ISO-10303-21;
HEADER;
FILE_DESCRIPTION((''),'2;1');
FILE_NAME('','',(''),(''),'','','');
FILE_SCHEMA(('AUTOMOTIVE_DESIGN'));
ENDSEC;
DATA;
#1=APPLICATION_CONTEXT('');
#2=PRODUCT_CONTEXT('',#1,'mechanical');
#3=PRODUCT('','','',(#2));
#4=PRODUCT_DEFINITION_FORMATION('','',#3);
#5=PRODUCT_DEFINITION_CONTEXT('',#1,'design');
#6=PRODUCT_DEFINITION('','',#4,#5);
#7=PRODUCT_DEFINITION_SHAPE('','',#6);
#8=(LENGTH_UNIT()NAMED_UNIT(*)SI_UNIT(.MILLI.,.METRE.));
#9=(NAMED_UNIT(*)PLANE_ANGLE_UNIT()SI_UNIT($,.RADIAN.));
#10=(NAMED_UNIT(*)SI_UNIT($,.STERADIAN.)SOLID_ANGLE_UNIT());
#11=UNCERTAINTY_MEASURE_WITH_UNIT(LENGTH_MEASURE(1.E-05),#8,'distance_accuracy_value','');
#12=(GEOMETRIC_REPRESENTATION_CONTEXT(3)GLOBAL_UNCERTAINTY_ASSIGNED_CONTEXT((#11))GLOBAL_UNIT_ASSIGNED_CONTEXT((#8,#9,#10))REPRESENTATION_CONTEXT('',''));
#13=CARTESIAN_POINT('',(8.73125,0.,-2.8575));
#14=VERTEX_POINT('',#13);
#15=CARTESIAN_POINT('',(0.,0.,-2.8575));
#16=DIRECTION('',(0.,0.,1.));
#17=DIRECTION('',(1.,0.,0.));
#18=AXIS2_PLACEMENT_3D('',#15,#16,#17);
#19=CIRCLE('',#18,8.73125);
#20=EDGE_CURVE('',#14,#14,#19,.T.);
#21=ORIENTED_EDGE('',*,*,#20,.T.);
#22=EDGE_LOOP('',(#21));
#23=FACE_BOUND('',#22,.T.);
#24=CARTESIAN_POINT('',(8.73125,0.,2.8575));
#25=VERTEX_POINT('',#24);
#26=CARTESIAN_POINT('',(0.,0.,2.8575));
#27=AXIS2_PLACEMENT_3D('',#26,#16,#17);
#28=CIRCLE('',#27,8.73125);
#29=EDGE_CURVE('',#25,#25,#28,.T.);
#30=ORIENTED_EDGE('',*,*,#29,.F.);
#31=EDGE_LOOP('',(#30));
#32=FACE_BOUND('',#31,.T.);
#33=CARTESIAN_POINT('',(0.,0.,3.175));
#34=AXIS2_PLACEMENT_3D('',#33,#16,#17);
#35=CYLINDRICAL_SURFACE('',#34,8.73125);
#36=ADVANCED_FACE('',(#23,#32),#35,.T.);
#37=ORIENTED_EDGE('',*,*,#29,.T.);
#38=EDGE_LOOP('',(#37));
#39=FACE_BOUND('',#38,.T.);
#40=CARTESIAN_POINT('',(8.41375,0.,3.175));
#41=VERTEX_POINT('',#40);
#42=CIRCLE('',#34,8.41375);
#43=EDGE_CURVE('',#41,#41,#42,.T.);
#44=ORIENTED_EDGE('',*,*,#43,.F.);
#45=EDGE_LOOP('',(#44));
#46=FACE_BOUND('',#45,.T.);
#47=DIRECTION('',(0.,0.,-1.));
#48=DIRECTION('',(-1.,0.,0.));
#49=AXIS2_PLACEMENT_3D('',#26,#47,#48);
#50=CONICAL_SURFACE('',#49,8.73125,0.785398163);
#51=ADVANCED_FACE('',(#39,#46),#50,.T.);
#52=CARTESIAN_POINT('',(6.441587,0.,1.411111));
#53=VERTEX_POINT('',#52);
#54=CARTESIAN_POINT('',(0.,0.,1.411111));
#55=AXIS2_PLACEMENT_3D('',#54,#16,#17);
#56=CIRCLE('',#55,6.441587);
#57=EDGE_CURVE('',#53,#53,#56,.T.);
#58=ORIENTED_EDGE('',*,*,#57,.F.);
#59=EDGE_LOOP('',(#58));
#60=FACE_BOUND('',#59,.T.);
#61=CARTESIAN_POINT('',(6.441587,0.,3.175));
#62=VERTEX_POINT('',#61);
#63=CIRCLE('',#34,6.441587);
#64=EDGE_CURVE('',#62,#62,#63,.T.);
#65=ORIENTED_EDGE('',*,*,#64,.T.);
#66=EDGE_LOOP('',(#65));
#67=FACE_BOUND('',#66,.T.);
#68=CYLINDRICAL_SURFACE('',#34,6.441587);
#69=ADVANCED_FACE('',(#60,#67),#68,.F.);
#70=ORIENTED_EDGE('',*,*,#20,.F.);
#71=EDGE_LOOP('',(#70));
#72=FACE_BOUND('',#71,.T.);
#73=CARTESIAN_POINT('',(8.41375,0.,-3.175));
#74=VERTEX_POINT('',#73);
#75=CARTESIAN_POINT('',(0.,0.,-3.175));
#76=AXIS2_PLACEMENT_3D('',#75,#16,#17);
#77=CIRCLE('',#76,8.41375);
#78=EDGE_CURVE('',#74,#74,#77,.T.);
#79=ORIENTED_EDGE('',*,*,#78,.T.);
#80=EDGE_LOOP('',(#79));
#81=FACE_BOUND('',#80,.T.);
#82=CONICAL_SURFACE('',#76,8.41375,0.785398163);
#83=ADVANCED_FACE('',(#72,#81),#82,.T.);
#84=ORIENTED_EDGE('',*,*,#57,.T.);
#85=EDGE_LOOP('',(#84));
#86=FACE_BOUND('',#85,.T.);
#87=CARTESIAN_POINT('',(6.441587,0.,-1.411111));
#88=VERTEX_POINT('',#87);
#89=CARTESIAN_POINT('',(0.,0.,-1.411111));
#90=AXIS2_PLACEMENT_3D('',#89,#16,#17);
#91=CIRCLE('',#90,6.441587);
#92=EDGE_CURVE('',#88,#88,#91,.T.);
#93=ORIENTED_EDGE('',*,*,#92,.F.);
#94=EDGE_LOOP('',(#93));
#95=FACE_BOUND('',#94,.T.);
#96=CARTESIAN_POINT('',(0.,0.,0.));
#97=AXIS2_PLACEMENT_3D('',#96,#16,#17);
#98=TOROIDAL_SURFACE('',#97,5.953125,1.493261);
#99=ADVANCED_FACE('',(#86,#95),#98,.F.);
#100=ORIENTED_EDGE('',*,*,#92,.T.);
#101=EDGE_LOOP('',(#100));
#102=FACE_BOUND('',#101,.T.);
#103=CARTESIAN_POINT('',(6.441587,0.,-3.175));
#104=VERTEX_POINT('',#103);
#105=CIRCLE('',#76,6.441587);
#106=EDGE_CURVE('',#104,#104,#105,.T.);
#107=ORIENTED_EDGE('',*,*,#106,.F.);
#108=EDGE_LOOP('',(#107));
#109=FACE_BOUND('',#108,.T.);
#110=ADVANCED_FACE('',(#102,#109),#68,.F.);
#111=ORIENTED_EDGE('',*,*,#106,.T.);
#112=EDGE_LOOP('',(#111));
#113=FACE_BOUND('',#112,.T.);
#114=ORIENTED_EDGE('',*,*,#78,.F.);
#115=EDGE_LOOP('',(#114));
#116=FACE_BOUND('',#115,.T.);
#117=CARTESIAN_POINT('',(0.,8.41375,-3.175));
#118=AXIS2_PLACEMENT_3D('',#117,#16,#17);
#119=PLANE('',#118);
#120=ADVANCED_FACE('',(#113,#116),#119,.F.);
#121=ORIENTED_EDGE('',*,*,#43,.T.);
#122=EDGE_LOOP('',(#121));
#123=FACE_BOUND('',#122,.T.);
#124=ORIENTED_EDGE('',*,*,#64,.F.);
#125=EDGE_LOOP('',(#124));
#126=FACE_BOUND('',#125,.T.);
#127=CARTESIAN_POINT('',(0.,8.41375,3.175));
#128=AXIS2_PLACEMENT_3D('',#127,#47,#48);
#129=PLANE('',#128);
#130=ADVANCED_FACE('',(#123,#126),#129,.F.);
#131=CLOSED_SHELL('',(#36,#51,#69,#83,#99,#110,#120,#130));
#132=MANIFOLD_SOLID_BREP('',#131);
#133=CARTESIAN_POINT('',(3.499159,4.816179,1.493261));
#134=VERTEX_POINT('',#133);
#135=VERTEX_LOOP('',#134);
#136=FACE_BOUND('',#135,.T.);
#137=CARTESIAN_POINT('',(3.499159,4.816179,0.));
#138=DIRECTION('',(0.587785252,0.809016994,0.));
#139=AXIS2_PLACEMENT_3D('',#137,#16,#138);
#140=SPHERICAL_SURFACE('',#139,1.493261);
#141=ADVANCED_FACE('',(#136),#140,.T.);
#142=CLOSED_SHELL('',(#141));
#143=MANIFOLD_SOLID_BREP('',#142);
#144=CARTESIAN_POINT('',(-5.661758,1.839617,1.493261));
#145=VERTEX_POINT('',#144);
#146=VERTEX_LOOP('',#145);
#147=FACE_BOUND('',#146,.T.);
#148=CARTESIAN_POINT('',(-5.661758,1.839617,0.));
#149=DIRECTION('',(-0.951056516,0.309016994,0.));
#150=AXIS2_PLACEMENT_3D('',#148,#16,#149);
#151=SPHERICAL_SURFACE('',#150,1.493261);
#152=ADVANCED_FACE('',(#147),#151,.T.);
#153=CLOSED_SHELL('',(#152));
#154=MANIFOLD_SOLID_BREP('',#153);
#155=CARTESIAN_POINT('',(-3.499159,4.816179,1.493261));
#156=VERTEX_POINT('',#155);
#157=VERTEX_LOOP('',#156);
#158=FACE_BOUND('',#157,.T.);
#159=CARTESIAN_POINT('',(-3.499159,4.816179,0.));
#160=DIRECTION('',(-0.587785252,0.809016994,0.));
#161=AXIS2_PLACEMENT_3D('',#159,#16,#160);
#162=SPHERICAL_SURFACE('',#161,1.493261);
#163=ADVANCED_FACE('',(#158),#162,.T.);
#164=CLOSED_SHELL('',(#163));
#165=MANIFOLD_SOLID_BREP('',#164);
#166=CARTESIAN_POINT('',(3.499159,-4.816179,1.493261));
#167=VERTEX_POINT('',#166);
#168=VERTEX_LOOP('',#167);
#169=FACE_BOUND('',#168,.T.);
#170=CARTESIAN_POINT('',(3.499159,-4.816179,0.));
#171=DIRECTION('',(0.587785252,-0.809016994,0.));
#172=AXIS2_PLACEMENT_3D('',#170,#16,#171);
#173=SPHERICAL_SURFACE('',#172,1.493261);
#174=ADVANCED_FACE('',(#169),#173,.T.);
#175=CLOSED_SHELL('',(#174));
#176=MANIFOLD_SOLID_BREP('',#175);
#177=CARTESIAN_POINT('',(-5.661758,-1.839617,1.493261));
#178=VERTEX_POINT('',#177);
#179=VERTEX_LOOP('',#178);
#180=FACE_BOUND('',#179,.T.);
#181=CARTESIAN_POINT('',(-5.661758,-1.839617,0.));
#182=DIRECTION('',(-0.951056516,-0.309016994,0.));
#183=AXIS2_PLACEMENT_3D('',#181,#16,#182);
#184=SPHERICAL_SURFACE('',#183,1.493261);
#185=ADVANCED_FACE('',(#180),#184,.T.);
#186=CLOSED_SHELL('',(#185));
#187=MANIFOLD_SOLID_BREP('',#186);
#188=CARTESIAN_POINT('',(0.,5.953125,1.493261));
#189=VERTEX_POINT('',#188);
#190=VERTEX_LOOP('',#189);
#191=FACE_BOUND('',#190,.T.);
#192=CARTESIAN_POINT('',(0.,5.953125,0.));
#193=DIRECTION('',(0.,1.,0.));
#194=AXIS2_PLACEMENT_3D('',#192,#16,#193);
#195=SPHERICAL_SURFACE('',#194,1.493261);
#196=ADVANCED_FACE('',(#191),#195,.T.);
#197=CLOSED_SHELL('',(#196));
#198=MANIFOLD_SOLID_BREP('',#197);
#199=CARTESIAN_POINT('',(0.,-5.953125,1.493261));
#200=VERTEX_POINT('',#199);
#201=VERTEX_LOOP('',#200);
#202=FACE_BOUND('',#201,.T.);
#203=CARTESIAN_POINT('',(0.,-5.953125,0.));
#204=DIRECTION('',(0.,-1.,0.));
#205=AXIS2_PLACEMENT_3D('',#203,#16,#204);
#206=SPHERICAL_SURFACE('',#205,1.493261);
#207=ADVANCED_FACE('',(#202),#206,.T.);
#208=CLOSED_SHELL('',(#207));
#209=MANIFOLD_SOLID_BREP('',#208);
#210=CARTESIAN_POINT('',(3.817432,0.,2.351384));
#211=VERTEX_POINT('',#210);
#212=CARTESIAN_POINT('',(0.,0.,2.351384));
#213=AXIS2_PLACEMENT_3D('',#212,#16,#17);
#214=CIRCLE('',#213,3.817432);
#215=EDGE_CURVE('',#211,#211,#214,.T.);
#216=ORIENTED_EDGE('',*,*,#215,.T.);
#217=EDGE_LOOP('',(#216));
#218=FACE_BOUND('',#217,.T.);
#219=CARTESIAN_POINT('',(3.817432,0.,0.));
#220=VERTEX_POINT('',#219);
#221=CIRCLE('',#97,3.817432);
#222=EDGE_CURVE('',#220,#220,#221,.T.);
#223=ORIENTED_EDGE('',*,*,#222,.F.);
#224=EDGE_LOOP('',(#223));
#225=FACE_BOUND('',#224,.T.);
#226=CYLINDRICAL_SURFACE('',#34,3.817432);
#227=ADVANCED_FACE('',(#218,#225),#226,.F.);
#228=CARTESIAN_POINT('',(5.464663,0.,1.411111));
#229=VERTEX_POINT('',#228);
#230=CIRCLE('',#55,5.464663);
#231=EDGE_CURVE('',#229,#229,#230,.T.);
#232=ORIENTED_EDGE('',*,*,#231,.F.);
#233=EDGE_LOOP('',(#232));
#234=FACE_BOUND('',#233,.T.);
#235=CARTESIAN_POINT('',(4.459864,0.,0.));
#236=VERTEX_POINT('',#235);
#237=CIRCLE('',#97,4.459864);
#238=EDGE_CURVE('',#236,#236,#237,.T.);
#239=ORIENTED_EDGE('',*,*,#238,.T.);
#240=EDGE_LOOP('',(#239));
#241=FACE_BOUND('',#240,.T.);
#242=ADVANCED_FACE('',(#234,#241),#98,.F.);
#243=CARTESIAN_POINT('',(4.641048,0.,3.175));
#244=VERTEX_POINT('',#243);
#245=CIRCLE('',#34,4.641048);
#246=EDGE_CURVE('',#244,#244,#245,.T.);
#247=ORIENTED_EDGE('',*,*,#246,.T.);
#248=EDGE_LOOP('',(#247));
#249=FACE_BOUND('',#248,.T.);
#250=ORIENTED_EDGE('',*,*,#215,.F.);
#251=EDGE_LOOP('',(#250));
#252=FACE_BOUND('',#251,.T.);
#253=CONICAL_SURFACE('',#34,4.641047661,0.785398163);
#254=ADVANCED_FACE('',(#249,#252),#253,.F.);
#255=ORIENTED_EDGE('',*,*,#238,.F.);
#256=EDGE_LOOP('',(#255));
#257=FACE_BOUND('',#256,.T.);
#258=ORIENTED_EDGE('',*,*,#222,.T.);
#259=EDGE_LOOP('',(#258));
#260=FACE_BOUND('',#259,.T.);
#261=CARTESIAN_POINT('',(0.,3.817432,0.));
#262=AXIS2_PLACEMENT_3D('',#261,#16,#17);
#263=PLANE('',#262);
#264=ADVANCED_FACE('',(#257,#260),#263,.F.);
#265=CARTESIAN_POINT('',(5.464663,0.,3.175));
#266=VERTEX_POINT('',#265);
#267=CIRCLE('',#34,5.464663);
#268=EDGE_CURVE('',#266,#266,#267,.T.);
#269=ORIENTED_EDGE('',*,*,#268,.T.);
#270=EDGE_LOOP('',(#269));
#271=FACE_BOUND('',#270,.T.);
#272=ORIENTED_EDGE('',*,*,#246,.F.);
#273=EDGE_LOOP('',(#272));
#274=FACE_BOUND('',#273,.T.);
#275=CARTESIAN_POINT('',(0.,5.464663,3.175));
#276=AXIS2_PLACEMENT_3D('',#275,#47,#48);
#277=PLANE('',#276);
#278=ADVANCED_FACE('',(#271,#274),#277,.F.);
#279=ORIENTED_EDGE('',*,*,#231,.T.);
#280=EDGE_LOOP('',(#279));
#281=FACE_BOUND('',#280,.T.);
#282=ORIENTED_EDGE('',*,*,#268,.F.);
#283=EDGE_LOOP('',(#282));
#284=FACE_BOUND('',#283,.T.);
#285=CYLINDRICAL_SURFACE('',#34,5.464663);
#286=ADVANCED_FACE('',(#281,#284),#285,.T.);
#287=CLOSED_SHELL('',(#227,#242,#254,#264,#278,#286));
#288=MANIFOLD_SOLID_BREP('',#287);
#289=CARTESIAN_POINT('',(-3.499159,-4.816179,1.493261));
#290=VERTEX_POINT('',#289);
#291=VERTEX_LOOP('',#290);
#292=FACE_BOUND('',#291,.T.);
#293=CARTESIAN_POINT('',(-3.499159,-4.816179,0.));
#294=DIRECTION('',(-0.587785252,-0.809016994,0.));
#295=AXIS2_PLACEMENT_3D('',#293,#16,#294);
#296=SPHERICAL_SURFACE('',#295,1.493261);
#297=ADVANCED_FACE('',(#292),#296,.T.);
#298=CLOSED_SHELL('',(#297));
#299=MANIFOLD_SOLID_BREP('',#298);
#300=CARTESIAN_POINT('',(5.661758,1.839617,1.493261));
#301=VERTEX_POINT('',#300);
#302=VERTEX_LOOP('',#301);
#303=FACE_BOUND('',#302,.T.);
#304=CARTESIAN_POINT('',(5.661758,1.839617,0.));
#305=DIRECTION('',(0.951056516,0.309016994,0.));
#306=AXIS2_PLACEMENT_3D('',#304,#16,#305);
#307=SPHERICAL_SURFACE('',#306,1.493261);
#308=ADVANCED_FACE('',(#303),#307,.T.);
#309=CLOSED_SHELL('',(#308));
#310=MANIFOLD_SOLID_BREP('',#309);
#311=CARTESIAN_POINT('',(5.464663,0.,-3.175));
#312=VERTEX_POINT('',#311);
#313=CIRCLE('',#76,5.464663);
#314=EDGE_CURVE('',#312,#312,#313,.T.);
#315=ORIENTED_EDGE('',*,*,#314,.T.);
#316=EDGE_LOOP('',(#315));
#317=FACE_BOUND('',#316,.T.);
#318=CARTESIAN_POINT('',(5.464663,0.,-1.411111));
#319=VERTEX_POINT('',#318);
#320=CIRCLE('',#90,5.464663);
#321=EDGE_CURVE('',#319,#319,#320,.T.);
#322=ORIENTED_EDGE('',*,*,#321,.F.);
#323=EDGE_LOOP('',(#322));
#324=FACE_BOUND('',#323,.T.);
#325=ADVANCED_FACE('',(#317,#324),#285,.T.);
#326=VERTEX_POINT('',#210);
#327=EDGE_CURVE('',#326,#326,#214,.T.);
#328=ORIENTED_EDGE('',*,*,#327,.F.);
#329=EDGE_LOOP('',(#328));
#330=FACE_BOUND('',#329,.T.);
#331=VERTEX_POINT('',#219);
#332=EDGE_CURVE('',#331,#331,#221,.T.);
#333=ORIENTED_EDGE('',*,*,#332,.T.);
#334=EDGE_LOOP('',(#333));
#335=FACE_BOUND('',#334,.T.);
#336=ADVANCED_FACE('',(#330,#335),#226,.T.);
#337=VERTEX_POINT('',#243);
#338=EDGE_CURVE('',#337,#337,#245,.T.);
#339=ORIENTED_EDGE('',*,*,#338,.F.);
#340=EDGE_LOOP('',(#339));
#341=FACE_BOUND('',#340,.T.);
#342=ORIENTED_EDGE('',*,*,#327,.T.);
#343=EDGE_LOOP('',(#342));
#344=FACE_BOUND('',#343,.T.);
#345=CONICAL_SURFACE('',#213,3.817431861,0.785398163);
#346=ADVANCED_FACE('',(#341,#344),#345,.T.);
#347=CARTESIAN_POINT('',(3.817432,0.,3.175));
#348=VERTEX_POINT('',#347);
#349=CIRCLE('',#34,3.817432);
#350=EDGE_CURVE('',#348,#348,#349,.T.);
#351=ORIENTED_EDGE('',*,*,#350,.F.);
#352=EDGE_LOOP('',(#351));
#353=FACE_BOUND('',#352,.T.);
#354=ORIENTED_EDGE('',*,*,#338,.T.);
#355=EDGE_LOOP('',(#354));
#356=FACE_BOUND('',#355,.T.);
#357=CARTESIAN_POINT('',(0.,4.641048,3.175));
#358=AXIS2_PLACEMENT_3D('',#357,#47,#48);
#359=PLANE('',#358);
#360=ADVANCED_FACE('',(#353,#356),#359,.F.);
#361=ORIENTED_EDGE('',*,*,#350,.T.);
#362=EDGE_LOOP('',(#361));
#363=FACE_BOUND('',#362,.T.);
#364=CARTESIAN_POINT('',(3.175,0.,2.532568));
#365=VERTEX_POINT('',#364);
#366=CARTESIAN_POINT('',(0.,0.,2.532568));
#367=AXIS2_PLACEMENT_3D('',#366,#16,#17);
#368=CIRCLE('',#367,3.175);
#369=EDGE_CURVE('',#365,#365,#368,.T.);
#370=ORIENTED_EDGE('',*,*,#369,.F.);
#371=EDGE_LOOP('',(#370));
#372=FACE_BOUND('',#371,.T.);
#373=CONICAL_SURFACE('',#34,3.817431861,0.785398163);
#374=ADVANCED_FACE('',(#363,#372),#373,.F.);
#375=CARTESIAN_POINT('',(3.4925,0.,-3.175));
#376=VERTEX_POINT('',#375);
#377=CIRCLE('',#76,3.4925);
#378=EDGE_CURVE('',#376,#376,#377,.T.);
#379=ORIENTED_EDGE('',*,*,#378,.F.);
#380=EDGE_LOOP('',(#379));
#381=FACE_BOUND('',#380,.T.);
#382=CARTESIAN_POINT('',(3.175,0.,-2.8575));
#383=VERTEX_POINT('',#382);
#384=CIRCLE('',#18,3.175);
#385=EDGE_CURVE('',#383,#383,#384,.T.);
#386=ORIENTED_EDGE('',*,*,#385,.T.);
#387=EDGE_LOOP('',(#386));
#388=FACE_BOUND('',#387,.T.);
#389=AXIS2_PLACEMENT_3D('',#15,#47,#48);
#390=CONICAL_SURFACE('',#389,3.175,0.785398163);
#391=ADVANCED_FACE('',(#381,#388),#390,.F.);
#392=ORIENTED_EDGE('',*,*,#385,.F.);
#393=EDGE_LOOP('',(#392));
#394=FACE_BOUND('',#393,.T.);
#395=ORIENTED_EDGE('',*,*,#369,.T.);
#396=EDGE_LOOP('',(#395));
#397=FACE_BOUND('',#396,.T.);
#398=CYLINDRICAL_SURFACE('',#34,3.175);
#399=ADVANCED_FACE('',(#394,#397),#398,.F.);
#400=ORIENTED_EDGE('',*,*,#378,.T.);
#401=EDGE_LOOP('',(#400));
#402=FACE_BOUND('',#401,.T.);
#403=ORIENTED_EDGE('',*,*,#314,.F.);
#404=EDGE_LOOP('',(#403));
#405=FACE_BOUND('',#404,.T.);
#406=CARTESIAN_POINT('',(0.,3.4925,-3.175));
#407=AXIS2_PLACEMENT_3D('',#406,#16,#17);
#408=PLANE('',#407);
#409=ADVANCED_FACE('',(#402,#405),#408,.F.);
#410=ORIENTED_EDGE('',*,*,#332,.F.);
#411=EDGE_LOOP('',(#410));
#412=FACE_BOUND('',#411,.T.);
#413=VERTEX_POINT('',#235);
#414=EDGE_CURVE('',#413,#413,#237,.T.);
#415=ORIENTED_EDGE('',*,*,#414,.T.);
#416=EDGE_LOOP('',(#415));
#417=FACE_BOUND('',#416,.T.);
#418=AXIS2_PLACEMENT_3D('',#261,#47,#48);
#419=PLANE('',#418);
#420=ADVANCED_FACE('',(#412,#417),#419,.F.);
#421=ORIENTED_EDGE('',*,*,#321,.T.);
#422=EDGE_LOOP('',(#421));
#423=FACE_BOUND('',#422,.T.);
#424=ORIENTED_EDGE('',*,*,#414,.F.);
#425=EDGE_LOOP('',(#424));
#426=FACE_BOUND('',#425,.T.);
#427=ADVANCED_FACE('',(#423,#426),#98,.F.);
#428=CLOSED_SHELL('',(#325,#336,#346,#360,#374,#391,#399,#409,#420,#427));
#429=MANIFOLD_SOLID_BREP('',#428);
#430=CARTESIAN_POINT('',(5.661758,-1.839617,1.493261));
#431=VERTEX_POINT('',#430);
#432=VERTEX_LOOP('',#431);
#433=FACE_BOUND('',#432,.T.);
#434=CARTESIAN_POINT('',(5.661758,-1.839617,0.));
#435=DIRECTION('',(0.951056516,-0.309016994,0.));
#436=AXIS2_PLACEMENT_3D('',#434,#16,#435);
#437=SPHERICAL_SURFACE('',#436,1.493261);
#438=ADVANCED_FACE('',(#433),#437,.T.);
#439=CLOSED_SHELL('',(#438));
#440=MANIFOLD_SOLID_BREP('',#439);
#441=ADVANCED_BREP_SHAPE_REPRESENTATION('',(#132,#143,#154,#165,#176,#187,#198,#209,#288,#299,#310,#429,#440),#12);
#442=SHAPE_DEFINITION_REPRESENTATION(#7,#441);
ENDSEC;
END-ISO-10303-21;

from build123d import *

# Parameters (mm, degrees)
CIRPATTERN1_COUNT = 10


with BuildPart() as part:
    # Sketch1 → Revolve1 (revolve)
    with BuildSketch(Plane(origin=(0, 0, 0), x_dir=(0, 0, -1), z_dir=(1, 0, 0))):
        with BuildLine():
            Line((2.8575, 8.73125), (-2.8575, 8.73125))
            Line((-2.8575, 8.73125), (-3.175, 8.41375))
            Line((-3.175, 8.41375), (-3.175, 6.441586538))
            Line((-3.175, 6.441586538), (-1.411111111, 6.441586538))
            ThreePointArc((-1.411111111, 6.441586538), (0, 7.446386277), (1.411111111, 6.441586538))
            Line((1.411111111, 6.441586538), (3.175, 6.441586538))
            Line((3.175, 6.441586538), (3.175, 8.41375))
            Line((3.175, 8.41375), (2.8575, 8.73125))
        make_face()
    revolve(axis=Axis((0, 0, 3.175), (0, 0, -1)))


with BuildPart() as body_2:
    # Sketch2 → Revolve2 (revolve)
    with BuildSketch(Plane(origin=(0, 0, 0), x_dir=(0, 0, -1), z_dir=(1, 0, 0))):
        with BuildLine():
            Line((-3.175, 5.464663462), (-1.411111111, 5.464663462))
            ThreePointArc((-1.411111111, 5.464663462), (-0.866149104, 4.73673075), (0, 4.459863723))
            Line((0, 4.459863723), (0, 3.817431861))
            Line((0, 3.817431861), (-2.3513842, 3.817431861))
            Line((-2.3513842, 3.817431861), (-3.175, 4.641047661))
            Line((-3.175, 4.641047661), (-3.175, 5.464663462))
        make_face()
    revolve(axis=Axis((0, 0, 3.175), (0, 0, -1)))


with BuildPart() as body_3:
    # Sketch3 → Revolve3 (revolve)
    with BuildSketch(Plane(origin=(0, 0, 0), x_dir=(0, 0, -1), z_dir=(1, 0, 0))):
        with BuildLine():
            Line((-3.175, 4.641047661), (-2.3513842, 3.817431861))
            Line((-2.3513842, 3.817431861), (0, 3.817431861))
            Line((0, 3.817431861), (0, 4.459863723))
            ThreePointArc((0, 4.459863723), (0.866149104, 4.73673075), (1.411111111, 5.464663462))
            Line((1.411111111, 5.464663462), (3.175, 5.464663462))
            Line((3.175, 5.464663462), (3.175, 3.4925))
            Line((3.175, 3.4925), (2.8575, 3.175))
            Line((2.8575, 3.175), (-2.532568139, 3.175))
            Line((-2.532568139, 3.175), (-3.175, 3.817431861))
            Line((-3.175, 3.817431861), (-3.175, 4.641047661))
        make_face()
    revolve(axis=Axis((0, 0, 3.175), (0, 0, -1)))


with BuildPart() as body_4:
    # Sketch4 → Revolve4 (revolve)
    with BuildSketch(Plane(origin=(0, 0, 0), x_dir=(0, 0, -1), z_dir=(1, 0, 0))):
        with BuildLine():
            Line((-1.493261277, 5.953125), (1.493261277, 5.953125))
            ThreePointArc((1.493261277, 5.953125), (0, 7.446386277), (-1.493261277, 5.953125))
        make_face()
    revolve(axis=Axis((0, 5.953125, 1.493261277), (0, 0, -1)))


with BuildPart() as cirpattern1_1:
    # CirPattern1: pattern copy
    add(body_4.part.rotate(Axis((0, 0, -3.175), (0, 0, 1)), 1 * 360 / CIRPATTERN1_COUNT))


with BuildPart() as cirpattern1_2:
    # CirPattern1: pattern copy
    add(body_4.part.rotate(Axis((0, 0, -3.175), (0, 0, 1)), 2 * 360 / CIRPATTERN1_COUNT))


with BuildPart() as cirpattern1_3:
    # CirPattern1: pattern copy
    add(body_4.part.rotate(Axis((0, 0, -3.175), (0, 0, 1)), 3 * 360 / CIRPATTERN1_COUNT))


with BuildPart() as cirpattern1_4:
    # CirPattern1: pattern copy
    add(body_4.part.rotate(Axis((0, 0, -3.175), (0, 0, 1)), 4 * 360 / CIRPATTERN1_COUNT))


with BuildPart() as cirpattern1_5:
    # CirPattern1: pattern copy
    add(body_4.part.rotate(Axis((0, 0, -3.175), (0, 0, 1)), 5 * 360 / CIRPATTERN1_COUNT))


with BuildPart() as cirpattern1_6:
    # CirPattern1: pattern copy
    add(body_4.part.rotate(Axis((0, 0, -3.175), (0, 0, 1)), 6 * 360 / CIRPATTERN1_COUNT))


with BuildPart() as cirpattern1_7:
    # CirPattern1: pattern copy
    add(body_4.part.rotate(Axis((0, 0, -3.175), (0, 0, 1)), 7 * 360 / CIRPATTERN1_COUNT))


with BuildPart() as cirpattern1_8:
    # CirPattern1: pattern copy
    add(body_4.part.rotate(Axis((0, 0, -3.175), (0, 0, 1)), 8 * 360 / CIRPATTERN1_COUNT))


with BuildPart() as cirpattern1_9:
    # CirPattern1: pattern copy
    add(body_4.part.rotate(Axis((0, 0, -3.175), (0, 0, 1)), 9 * 360 / CIRPATTERN1_COUNT))


solid = Compound([part.part, body_2.part, body_3.part, body_4.part, cirpattern1_1.part, cirpattern1_2.part, cirpattern1_3.part, cirpattern1_4.part, cirpattern1_5.part, cirpattern1_6.part, cirpattern1_7.part, cirpattern1_8.part, cirpattern1_9.part])
